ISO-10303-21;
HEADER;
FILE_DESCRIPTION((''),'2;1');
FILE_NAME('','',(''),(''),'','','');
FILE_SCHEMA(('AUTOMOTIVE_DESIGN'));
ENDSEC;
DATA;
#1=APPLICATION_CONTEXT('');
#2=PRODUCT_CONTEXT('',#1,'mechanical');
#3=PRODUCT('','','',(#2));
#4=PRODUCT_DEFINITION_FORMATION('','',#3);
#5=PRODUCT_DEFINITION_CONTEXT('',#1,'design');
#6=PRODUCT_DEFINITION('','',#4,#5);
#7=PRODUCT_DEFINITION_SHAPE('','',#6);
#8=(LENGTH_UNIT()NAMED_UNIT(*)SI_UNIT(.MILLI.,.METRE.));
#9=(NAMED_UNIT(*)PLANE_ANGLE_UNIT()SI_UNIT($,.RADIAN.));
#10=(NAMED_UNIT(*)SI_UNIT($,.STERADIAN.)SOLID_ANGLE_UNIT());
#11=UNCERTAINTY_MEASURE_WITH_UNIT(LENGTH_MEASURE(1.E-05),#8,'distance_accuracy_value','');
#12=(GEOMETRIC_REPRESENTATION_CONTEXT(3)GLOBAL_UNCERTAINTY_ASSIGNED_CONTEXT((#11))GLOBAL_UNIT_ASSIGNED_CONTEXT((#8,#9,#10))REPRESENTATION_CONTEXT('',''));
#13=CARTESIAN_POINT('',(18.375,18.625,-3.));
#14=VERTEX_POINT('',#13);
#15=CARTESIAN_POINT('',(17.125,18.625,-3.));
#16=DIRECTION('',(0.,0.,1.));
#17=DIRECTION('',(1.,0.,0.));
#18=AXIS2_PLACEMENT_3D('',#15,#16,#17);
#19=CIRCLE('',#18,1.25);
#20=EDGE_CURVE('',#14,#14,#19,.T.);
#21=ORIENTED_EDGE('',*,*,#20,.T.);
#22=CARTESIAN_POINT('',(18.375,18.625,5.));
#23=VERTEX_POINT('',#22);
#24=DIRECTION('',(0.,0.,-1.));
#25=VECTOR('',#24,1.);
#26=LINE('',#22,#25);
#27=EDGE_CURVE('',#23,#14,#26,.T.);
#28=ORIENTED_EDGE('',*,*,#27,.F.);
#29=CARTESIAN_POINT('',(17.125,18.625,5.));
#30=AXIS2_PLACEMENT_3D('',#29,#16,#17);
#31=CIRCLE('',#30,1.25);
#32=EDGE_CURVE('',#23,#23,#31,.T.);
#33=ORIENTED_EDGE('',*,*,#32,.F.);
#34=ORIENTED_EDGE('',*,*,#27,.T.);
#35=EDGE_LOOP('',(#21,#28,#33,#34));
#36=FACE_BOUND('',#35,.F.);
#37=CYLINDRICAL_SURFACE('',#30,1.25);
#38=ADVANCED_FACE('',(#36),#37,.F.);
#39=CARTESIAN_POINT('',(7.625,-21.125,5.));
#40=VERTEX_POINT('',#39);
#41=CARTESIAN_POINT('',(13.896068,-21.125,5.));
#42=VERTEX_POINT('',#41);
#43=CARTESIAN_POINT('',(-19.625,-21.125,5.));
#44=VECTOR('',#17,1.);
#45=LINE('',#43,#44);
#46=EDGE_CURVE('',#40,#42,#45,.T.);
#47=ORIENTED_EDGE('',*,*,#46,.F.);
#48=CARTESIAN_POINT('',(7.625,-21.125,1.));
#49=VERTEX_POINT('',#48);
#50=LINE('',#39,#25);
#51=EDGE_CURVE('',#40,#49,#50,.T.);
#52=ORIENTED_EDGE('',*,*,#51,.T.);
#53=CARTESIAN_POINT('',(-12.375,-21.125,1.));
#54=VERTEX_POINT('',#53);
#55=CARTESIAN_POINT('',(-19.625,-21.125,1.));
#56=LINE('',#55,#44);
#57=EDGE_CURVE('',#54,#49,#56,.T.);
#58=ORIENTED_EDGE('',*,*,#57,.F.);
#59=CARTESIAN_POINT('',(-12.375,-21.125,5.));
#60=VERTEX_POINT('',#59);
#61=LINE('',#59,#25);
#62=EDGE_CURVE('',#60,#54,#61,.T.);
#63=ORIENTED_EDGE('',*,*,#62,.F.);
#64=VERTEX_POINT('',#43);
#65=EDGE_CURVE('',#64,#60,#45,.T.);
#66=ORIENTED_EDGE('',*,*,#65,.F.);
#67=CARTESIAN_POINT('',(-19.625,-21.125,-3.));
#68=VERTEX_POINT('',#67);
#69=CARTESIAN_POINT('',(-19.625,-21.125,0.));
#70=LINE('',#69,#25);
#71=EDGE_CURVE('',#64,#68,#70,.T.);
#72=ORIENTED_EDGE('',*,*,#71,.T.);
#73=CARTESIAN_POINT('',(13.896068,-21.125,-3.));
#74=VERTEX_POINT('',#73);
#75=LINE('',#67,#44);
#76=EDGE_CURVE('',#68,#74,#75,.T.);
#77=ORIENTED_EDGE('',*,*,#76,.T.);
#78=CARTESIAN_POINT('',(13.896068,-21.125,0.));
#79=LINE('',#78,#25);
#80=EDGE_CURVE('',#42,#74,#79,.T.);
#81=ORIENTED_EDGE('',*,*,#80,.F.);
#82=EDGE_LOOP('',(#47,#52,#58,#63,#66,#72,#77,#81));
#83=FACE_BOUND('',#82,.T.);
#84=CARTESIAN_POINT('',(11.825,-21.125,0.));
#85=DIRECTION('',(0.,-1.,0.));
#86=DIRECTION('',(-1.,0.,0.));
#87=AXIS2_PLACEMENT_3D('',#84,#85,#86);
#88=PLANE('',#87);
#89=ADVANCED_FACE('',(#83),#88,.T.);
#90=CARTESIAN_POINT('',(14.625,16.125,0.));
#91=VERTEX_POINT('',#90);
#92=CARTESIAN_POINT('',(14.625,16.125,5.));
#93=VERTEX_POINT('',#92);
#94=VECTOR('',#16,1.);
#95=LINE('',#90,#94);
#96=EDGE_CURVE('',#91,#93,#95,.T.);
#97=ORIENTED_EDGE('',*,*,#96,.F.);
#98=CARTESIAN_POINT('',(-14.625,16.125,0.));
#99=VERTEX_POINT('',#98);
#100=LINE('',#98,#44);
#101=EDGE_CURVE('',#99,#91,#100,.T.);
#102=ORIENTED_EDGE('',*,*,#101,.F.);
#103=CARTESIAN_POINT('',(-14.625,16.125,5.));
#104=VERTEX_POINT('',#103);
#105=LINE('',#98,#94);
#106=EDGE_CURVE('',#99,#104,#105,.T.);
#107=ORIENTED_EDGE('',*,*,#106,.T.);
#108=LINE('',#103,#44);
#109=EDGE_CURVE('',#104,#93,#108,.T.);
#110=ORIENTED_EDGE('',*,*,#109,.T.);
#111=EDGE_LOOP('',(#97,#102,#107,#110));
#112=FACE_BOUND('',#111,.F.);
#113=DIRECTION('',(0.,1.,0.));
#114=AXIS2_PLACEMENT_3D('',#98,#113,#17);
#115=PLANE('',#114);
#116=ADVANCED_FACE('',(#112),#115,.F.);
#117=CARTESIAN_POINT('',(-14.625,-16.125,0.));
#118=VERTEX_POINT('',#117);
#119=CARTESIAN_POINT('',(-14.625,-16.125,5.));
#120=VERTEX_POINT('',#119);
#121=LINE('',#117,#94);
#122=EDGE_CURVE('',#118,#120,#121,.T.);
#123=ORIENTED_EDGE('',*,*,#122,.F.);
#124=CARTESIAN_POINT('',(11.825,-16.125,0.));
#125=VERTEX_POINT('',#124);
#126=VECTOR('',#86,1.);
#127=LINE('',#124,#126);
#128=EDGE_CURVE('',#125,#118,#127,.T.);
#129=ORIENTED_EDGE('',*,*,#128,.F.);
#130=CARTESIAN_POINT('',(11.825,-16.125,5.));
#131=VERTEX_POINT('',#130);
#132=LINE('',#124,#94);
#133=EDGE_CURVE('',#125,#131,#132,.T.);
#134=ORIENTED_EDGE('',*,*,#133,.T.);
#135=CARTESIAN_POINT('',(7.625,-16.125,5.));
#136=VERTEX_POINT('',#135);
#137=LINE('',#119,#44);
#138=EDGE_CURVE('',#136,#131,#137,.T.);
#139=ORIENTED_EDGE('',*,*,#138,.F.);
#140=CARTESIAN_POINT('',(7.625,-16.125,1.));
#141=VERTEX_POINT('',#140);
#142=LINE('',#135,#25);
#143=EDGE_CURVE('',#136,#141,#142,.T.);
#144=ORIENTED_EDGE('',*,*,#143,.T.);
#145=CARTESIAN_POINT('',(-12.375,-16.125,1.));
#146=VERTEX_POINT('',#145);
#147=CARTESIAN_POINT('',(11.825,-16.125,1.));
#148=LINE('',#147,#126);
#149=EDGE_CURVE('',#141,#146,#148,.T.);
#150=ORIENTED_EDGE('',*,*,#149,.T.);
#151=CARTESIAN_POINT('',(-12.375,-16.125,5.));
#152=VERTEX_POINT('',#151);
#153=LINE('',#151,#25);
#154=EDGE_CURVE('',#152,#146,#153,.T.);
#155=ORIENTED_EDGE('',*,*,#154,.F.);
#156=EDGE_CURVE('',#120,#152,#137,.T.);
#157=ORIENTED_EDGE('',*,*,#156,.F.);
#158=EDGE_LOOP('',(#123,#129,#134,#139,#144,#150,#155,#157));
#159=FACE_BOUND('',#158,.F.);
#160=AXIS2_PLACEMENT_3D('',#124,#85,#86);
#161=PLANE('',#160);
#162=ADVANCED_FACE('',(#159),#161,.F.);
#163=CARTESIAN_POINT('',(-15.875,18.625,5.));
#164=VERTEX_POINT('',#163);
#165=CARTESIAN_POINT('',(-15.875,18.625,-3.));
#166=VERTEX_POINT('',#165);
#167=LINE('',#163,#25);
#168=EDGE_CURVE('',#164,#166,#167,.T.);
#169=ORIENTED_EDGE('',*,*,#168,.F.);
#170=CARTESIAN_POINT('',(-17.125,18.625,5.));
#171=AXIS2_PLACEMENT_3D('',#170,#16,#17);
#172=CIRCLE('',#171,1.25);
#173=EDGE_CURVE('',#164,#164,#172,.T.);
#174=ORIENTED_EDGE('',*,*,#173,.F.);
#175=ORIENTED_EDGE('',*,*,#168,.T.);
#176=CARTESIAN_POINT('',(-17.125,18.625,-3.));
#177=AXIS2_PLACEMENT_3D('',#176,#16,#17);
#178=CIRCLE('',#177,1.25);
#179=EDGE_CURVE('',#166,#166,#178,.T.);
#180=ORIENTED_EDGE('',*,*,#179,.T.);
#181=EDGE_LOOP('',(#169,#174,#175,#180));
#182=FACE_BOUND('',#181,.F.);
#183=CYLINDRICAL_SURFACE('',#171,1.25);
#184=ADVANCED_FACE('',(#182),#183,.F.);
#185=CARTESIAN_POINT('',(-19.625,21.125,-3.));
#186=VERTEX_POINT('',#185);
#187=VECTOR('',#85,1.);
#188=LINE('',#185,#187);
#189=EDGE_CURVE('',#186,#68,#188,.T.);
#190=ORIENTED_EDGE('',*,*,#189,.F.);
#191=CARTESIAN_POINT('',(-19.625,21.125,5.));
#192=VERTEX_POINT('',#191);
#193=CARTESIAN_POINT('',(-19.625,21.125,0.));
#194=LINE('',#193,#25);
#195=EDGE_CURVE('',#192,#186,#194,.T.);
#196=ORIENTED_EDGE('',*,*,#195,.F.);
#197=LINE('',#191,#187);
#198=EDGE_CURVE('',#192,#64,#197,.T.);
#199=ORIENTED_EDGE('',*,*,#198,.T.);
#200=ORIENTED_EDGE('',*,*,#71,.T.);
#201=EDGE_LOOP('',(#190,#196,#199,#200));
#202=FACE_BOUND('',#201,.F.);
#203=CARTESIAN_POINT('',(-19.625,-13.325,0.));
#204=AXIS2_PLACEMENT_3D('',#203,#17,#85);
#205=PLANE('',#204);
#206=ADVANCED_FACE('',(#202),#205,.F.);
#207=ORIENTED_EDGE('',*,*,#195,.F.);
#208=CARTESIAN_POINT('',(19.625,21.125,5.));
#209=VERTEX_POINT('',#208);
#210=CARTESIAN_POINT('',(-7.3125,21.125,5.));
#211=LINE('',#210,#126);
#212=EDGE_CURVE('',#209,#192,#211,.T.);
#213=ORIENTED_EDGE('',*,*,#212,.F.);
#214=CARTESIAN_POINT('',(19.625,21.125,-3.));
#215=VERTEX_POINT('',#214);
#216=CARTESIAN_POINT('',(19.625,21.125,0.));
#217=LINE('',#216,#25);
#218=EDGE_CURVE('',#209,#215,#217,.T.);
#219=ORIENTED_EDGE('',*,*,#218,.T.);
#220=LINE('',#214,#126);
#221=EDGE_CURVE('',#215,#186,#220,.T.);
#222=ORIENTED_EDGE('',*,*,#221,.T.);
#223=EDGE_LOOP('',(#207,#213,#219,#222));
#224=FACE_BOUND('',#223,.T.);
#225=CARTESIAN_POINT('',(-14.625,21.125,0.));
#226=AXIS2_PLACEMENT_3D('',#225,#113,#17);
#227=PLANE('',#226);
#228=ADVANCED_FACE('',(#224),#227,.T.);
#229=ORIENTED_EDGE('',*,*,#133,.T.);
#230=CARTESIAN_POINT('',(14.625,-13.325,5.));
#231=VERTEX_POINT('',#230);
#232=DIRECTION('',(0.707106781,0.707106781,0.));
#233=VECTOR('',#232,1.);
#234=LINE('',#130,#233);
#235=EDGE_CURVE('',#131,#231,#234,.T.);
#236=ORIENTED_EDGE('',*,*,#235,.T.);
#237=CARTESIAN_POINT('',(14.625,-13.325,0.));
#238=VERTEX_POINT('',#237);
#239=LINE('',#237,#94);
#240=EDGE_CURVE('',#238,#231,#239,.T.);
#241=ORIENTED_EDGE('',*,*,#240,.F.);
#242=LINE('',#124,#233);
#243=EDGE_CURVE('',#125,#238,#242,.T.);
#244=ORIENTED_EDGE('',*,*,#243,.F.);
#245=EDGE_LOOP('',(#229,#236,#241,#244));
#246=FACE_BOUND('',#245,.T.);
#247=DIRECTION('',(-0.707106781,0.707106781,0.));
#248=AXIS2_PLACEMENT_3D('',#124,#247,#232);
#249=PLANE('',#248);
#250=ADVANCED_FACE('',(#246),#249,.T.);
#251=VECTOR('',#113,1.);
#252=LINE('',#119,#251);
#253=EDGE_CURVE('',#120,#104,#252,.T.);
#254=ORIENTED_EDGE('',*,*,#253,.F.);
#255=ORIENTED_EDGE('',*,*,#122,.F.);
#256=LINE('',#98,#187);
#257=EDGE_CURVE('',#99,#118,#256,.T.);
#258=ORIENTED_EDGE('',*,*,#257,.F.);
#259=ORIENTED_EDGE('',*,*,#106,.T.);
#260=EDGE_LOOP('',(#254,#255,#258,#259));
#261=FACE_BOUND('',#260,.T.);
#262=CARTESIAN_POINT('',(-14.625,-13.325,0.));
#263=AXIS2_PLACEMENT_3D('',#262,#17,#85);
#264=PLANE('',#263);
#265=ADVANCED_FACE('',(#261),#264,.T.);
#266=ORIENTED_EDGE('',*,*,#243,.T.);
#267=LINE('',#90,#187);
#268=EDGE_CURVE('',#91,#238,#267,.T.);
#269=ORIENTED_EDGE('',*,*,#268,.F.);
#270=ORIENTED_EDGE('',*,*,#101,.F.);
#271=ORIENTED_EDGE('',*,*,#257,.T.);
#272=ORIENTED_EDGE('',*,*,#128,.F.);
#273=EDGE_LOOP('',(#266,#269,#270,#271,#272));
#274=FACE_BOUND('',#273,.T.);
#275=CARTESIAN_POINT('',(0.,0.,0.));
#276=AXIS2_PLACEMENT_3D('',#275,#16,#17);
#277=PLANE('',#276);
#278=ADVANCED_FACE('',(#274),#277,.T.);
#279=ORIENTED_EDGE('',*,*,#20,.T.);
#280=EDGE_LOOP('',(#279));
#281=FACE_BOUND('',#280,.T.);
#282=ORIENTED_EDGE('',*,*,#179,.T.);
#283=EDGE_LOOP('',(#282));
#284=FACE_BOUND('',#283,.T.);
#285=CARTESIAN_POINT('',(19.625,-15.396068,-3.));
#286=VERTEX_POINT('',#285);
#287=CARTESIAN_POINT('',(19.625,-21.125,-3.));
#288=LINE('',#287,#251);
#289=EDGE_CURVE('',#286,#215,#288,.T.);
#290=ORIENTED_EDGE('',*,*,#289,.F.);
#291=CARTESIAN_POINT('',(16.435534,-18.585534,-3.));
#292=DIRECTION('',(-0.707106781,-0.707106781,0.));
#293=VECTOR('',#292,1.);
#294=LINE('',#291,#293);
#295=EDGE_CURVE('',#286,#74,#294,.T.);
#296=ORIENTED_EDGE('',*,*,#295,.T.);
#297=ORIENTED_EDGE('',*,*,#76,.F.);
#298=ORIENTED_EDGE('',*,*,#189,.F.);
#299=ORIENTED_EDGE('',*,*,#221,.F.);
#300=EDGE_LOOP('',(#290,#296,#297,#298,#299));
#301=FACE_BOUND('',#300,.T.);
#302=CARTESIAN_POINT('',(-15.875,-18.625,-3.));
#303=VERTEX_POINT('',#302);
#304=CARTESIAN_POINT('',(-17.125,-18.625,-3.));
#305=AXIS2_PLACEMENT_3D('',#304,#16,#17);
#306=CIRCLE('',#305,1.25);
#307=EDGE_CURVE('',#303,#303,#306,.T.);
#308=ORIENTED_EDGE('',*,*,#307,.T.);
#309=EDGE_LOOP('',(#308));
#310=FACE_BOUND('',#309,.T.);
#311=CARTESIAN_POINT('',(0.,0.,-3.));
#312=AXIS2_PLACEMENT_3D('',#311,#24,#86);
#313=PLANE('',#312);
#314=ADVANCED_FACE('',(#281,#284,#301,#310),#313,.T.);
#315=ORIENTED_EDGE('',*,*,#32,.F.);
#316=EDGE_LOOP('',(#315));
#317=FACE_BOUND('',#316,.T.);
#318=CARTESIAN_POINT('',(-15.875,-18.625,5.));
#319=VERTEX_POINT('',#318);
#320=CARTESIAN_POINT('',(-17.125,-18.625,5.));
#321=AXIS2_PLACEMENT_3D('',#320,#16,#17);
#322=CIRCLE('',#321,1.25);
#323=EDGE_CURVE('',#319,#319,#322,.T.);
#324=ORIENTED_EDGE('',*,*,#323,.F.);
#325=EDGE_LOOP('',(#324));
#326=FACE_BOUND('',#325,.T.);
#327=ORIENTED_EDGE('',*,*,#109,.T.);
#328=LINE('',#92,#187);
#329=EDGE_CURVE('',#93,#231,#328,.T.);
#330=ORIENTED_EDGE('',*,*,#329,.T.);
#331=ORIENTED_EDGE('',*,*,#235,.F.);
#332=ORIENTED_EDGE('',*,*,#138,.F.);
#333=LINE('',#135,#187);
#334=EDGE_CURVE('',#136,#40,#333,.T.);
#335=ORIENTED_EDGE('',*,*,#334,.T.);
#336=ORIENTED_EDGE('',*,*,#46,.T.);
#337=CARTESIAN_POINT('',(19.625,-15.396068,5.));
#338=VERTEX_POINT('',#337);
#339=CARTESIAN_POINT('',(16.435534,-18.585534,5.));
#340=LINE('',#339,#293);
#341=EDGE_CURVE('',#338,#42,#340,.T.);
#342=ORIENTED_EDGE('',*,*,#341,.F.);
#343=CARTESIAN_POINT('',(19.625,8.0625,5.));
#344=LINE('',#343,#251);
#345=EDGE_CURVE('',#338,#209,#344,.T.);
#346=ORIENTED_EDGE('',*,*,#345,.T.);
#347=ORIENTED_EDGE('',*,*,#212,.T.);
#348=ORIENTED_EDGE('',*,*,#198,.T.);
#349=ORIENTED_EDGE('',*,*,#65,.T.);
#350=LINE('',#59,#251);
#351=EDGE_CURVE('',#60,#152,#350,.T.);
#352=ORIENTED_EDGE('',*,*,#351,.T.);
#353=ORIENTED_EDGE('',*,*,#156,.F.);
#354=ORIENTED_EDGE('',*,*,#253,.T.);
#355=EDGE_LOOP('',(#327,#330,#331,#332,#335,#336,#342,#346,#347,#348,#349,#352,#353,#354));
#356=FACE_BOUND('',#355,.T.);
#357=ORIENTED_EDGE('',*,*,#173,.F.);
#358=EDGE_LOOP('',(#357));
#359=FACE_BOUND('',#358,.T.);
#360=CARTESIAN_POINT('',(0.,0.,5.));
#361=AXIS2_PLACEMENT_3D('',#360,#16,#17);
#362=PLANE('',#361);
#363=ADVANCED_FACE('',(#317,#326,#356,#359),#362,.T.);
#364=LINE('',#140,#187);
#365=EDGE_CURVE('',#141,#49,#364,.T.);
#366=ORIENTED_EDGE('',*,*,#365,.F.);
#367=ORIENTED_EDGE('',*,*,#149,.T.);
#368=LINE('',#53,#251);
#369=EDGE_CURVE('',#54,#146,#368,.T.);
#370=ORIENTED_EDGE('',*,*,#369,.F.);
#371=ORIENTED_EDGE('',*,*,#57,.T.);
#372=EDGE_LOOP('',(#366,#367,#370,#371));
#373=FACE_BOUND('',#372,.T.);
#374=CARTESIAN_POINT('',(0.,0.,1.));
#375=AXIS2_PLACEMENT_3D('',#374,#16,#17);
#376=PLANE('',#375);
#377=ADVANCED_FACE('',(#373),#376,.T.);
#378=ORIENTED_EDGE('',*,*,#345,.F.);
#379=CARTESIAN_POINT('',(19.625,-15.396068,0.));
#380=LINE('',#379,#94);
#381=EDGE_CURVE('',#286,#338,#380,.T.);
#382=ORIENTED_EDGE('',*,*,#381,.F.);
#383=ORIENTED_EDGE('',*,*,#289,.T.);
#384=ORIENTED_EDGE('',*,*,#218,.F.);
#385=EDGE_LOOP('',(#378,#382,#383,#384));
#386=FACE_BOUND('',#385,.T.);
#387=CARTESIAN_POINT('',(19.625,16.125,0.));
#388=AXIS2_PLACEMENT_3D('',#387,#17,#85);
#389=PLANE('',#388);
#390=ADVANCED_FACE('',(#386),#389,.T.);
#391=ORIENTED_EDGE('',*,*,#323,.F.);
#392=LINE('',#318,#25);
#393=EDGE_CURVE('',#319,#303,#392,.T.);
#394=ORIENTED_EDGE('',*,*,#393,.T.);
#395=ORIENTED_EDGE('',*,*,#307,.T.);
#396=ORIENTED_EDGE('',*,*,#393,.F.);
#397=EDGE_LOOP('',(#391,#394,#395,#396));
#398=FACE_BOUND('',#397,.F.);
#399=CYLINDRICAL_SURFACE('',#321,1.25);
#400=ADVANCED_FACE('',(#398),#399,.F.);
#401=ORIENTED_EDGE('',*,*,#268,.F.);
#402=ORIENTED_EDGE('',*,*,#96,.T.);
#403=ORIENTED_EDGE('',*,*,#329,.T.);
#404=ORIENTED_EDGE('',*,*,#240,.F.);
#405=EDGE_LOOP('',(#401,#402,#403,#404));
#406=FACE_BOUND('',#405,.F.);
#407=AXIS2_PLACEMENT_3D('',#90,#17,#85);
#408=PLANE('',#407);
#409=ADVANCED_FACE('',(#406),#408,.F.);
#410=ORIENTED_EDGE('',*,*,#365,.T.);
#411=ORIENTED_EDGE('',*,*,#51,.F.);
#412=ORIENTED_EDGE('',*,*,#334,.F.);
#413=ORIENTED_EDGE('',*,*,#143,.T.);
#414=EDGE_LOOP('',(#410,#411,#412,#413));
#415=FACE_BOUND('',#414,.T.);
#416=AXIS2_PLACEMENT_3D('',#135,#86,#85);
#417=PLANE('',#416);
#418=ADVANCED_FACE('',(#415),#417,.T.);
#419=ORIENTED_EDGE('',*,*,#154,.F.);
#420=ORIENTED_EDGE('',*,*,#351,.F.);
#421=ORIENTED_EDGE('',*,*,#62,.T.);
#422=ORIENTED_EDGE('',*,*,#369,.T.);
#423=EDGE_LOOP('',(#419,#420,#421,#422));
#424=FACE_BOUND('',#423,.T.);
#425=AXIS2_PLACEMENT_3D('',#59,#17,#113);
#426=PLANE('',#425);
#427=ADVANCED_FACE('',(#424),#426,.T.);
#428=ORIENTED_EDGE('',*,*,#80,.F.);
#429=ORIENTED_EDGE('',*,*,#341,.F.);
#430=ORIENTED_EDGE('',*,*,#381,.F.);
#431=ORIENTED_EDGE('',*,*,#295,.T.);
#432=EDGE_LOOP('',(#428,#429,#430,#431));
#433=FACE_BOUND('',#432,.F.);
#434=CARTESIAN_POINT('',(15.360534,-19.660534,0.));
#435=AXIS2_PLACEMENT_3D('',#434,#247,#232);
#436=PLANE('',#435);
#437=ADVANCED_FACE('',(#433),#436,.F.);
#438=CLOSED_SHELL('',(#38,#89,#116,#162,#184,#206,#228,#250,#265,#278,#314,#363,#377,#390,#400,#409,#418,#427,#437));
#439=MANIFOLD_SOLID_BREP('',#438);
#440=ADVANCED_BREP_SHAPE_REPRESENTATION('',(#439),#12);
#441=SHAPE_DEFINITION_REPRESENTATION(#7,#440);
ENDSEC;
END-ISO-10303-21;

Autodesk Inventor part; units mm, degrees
ref_plane "YZ Plane" through (0, 0, 0) normal (1, 0, 0) x (0, 1, 0)
ref_plane "XZ Plane" through (0, 0, 0) normal (0, 1, 0) x (-1, 0, 0)
ref_plane "XY Plane" through (0, 0, 0) normal (0, 0, 1) x (1, 0, 0)
sketch "Sketch1" plane through (0, 0, 0) normal (0, 0, 1) x (1, 0, 0)
  line L0 (11.825, -16.125) -> (-11.825, -16.125)
  line L1 (-14.625, -13.325) -> (-14.625, 16.125)
  line L2 (-14.625, 16.125) -> (14.625, 16.125)
  line L3 (14.625, 16.125) -> (14.625, -13.325)
  line L4 (14.625, -16.125) -> (-14.625, 16.125) construction
  line L5 (-14.625, -16.125) -> (14.625, 16.125) construction
  line L6 (11.825, -16.125) -> (14.625, -13.325)
  line L7 (-14.625, -13.325) -> (-14.625, -16.125)
  line L8 (-14.625, -16.125) -> (-11.825, -16.125)
  point P0 (0, 0)
  dimension "d0" = 29.25
  dimension "d1" = 32.25
  dimension "d24" = 2.8
  dimension "d25" = 2.8
extrude "Extrusion1" add sketch "Sketch1" along normal blind 5
shell "Shell2" thickness 5 outward yes removed faces 1 at (-4.875, -3.5083, 5)
sketch "Sketch3" plane through (0, 0, 5) normal (0, 0, 1) x (1, 0, 0)
  line L0 (19.625, 21.125) -> (-19.625, 21.125) construction
  line L1 (-14.625, 16.125) -> (14.625, 16.125) construction
  line L2 (-19.625, 21.125) -> (-14.625, 16.125) construction
  line L3 (19.625, -15.3961) -> (19.625, 21.125) construction
  line L4 (14.625, 16.125) -> (19.625, 21.125) construction
  line L5 (11.825, -16.125) -> (-14.625, -16.125) construction
  circle A0 centre (-17.125, 18.625) radius 1.25
  circle A1 centre (17.125, 18.625) radius 1.25
  line L6 (-14.625, -16.125) -> (11.825, -16.125) construction
  line L7 (-19.625, 21.125) -> (-19.625, -21.125) construction
  line L8 (-14.625, -16.125) -> (-19.625, -21.125) construction
  circle A2 centre (-17.125, -18.625) radius 1.25
  point P0 (0, 0)
  point P1 (-11.825, -16.125)
  dimension "d14" = 2.5
  dimension "d15" = 2.5
  dimension "d26" = 2.5
extrude "Extrusion3" cut sketch "Sketch3" against normal through all
sketch "Sketch4" plane through (0, 0, 5) normal (0, 0, 1) x (1, 0, 0)
  line L0 (-19.625, -21.125) -> (13.8961, -21.125) projected
  line L1 (11.825, -16.125) -> (-14.625, -16.125) projected
  line L2 (7.625, -21.125) -> (-12.375, -21.125)
  line L3 (-12.375, -21.125) -> (-12.375, -16.125)
  line L4 (-12.375, -16.125) -> (7.625, -16.125)
  line L5 (7.625, -16.125) -> (7.625, -21.125)
  line L6 (-19.625, 21.125) -> (-19.625, -21.125) projected
  point P0 (0, 0)
  point P1 (-13.4819, -20.125)
  point P2 (14.625, -16.125)
  point P3 (-11.825, -16.125)
  point P4 (7.625, -16.125)
  point P5 (13.8961, -21.125)
  dimension "d19" = 20
  dimension "d20" = 5
  dimension "d29" = 7.25
extrude "Extrusion4" cut sketch "Sketch4" against normal blind 4
sketch "Sketch5" plane through (0, 0, -5) normal (0, 0, -1) x (-1, 0, 0)
  line L0 (-19.625, 21.125) -> (19.625, 21.125) projected
  line L1 (19.625, -21.125) -> (-13.8961, -21.125) projected
  line L2 (-19.625, 21.125) -> (19.625, 21.125)
  line L3 (19.625, 21.125) -> (19.625, -21.125)
  line L4 (19.625, -21.125) -> (-19.625, -21.125)
  line L5 (-19.625, -21.125) -> (-19.625, 21.125)
  point P0 (0, 0)
  point P1 (19.625, 21.125)
extrude "Extrusion5" cut sketch "Sketch5" against normal blind 2
equation "\"d25\" = d24"
equation "\"d26\" = d14"
properties part number "SpeakerHolder"
